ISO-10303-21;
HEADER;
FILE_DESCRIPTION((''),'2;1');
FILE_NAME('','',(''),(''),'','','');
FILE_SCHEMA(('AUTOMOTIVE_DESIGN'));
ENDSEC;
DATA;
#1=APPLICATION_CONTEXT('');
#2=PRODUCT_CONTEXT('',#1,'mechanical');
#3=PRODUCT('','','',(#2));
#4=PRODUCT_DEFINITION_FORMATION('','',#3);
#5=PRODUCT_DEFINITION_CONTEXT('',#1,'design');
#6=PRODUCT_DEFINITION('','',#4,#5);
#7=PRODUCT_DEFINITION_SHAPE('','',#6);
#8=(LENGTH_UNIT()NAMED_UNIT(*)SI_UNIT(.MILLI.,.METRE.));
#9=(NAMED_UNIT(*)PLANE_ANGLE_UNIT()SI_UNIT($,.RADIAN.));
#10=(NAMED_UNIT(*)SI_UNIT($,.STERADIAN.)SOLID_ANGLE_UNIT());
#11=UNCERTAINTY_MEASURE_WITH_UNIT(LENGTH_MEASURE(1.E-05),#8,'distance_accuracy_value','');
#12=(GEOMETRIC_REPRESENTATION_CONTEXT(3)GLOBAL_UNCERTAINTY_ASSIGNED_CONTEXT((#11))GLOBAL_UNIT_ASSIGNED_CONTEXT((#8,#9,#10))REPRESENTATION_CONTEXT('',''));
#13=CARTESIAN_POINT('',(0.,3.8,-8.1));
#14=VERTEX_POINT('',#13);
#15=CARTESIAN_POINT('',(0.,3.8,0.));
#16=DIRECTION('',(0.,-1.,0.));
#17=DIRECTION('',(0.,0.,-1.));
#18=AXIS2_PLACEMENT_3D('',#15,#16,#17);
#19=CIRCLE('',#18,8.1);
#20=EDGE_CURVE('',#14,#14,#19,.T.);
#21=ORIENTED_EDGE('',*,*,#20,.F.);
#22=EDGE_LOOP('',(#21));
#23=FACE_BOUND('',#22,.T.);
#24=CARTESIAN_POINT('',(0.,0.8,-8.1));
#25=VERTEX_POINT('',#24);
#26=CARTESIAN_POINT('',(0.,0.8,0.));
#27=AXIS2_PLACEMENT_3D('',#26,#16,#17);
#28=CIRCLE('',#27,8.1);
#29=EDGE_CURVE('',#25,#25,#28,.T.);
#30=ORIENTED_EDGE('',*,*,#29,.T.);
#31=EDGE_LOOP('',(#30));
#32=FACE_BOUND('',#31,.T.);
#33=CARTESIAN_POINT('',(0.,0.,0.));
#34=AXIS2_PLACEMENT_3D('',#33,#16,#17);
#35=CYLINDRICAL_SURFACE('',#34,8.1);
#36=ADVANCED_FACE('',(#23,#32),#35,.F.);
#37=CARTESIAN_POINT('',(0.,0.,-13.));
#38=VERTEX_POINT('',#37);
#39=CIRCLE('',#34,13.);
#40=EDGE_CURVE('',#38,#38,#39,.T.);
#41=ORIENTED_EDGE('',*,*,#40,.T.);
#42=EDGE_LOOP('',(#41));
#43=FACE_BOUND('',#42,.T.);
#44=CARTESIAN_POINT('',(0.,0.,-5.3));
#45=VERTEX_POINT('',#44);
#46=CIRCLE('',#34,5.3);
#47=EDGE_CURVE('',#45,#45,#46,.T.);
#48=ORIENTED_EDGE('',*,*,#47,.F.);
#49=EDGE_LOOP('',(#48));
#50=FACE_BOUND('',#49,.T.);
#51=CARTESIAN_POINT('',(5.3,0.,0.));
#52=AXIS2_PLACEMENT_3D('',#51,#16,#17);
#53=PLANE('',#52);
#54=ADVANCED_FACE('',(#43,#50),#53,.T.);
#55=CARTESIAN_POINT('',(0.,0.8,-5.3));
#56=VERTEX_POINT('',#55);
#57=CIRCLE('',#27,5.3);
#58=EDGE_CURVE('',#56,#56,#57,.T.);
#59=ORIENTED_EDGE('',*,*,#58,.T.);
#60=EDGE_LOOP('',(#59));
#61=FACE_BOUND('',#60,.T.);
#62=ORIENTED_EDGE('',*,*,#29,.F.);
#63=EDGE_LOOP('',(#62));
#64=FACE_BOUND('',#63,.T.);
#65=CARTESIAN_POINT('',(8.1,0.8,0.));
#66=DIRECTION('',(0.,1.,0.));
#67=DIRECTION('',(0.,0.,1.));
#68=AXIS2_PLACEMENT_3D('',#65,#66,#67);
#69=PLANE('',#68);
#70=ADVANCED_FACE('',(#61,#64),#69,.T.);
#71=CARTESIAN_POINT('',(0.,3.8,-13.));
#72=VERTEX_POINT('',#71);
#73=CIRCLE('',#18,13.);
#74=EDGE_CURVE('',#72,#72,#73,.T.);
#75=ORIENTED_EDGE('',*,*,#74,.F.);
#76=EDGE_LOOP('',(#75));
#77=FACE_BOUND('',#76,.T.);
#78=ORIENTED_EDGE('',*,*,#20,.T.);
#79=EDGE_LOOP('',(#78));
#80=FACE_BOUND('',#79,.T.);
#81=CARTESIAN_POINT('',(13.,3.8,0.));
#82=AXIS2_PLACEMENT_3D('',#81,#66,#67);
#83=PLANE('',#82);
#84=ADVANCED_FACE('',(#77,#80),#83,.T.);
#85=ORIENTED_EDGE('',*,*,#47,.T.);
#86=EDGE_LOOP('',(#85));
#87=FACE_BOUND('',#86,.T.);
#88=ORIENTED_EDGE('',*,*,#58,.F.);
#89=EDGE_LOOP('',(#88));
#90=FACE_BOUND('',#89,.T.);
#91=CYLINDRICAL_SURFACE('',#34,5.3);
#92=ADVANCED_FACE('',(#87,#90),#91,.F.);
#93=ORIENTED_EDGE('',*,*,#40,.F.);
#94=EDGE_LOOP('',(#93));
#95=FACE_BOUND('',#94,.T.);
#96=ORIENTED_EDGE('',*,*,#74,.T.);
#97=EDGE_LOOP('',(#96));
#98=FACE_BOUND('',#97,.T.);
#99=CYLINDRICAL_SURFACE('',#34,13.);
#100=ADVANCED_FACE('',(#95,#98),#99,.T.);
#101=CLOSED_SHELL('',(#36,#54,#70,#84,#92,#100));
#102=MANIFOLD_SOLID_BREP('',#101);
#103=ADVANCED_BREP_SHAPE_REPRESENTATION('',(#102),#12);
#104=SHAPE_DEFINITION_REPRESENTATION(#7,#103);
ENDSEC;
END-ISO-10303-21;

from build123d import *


with BuildPart() as part:
    # Sketch1 → Revolve1 (revolve)
    with BuildSketch(Plane.XY, mode=Mode.PRIVATE) as revolve1_sk:
        Polygon((5.3, 0), (13, 0), (13, 3.8), (8.1, 3.8), (8.1, 0.8), (5.3, 0.8), align=None)
    revolve(revolve1_sk.sketch.rotate(Axis((0, 0, 0), (0, 1, 0)), 90), axis=Axis((0, 0, 0), (0, 1, 0)))


solid = part.part
